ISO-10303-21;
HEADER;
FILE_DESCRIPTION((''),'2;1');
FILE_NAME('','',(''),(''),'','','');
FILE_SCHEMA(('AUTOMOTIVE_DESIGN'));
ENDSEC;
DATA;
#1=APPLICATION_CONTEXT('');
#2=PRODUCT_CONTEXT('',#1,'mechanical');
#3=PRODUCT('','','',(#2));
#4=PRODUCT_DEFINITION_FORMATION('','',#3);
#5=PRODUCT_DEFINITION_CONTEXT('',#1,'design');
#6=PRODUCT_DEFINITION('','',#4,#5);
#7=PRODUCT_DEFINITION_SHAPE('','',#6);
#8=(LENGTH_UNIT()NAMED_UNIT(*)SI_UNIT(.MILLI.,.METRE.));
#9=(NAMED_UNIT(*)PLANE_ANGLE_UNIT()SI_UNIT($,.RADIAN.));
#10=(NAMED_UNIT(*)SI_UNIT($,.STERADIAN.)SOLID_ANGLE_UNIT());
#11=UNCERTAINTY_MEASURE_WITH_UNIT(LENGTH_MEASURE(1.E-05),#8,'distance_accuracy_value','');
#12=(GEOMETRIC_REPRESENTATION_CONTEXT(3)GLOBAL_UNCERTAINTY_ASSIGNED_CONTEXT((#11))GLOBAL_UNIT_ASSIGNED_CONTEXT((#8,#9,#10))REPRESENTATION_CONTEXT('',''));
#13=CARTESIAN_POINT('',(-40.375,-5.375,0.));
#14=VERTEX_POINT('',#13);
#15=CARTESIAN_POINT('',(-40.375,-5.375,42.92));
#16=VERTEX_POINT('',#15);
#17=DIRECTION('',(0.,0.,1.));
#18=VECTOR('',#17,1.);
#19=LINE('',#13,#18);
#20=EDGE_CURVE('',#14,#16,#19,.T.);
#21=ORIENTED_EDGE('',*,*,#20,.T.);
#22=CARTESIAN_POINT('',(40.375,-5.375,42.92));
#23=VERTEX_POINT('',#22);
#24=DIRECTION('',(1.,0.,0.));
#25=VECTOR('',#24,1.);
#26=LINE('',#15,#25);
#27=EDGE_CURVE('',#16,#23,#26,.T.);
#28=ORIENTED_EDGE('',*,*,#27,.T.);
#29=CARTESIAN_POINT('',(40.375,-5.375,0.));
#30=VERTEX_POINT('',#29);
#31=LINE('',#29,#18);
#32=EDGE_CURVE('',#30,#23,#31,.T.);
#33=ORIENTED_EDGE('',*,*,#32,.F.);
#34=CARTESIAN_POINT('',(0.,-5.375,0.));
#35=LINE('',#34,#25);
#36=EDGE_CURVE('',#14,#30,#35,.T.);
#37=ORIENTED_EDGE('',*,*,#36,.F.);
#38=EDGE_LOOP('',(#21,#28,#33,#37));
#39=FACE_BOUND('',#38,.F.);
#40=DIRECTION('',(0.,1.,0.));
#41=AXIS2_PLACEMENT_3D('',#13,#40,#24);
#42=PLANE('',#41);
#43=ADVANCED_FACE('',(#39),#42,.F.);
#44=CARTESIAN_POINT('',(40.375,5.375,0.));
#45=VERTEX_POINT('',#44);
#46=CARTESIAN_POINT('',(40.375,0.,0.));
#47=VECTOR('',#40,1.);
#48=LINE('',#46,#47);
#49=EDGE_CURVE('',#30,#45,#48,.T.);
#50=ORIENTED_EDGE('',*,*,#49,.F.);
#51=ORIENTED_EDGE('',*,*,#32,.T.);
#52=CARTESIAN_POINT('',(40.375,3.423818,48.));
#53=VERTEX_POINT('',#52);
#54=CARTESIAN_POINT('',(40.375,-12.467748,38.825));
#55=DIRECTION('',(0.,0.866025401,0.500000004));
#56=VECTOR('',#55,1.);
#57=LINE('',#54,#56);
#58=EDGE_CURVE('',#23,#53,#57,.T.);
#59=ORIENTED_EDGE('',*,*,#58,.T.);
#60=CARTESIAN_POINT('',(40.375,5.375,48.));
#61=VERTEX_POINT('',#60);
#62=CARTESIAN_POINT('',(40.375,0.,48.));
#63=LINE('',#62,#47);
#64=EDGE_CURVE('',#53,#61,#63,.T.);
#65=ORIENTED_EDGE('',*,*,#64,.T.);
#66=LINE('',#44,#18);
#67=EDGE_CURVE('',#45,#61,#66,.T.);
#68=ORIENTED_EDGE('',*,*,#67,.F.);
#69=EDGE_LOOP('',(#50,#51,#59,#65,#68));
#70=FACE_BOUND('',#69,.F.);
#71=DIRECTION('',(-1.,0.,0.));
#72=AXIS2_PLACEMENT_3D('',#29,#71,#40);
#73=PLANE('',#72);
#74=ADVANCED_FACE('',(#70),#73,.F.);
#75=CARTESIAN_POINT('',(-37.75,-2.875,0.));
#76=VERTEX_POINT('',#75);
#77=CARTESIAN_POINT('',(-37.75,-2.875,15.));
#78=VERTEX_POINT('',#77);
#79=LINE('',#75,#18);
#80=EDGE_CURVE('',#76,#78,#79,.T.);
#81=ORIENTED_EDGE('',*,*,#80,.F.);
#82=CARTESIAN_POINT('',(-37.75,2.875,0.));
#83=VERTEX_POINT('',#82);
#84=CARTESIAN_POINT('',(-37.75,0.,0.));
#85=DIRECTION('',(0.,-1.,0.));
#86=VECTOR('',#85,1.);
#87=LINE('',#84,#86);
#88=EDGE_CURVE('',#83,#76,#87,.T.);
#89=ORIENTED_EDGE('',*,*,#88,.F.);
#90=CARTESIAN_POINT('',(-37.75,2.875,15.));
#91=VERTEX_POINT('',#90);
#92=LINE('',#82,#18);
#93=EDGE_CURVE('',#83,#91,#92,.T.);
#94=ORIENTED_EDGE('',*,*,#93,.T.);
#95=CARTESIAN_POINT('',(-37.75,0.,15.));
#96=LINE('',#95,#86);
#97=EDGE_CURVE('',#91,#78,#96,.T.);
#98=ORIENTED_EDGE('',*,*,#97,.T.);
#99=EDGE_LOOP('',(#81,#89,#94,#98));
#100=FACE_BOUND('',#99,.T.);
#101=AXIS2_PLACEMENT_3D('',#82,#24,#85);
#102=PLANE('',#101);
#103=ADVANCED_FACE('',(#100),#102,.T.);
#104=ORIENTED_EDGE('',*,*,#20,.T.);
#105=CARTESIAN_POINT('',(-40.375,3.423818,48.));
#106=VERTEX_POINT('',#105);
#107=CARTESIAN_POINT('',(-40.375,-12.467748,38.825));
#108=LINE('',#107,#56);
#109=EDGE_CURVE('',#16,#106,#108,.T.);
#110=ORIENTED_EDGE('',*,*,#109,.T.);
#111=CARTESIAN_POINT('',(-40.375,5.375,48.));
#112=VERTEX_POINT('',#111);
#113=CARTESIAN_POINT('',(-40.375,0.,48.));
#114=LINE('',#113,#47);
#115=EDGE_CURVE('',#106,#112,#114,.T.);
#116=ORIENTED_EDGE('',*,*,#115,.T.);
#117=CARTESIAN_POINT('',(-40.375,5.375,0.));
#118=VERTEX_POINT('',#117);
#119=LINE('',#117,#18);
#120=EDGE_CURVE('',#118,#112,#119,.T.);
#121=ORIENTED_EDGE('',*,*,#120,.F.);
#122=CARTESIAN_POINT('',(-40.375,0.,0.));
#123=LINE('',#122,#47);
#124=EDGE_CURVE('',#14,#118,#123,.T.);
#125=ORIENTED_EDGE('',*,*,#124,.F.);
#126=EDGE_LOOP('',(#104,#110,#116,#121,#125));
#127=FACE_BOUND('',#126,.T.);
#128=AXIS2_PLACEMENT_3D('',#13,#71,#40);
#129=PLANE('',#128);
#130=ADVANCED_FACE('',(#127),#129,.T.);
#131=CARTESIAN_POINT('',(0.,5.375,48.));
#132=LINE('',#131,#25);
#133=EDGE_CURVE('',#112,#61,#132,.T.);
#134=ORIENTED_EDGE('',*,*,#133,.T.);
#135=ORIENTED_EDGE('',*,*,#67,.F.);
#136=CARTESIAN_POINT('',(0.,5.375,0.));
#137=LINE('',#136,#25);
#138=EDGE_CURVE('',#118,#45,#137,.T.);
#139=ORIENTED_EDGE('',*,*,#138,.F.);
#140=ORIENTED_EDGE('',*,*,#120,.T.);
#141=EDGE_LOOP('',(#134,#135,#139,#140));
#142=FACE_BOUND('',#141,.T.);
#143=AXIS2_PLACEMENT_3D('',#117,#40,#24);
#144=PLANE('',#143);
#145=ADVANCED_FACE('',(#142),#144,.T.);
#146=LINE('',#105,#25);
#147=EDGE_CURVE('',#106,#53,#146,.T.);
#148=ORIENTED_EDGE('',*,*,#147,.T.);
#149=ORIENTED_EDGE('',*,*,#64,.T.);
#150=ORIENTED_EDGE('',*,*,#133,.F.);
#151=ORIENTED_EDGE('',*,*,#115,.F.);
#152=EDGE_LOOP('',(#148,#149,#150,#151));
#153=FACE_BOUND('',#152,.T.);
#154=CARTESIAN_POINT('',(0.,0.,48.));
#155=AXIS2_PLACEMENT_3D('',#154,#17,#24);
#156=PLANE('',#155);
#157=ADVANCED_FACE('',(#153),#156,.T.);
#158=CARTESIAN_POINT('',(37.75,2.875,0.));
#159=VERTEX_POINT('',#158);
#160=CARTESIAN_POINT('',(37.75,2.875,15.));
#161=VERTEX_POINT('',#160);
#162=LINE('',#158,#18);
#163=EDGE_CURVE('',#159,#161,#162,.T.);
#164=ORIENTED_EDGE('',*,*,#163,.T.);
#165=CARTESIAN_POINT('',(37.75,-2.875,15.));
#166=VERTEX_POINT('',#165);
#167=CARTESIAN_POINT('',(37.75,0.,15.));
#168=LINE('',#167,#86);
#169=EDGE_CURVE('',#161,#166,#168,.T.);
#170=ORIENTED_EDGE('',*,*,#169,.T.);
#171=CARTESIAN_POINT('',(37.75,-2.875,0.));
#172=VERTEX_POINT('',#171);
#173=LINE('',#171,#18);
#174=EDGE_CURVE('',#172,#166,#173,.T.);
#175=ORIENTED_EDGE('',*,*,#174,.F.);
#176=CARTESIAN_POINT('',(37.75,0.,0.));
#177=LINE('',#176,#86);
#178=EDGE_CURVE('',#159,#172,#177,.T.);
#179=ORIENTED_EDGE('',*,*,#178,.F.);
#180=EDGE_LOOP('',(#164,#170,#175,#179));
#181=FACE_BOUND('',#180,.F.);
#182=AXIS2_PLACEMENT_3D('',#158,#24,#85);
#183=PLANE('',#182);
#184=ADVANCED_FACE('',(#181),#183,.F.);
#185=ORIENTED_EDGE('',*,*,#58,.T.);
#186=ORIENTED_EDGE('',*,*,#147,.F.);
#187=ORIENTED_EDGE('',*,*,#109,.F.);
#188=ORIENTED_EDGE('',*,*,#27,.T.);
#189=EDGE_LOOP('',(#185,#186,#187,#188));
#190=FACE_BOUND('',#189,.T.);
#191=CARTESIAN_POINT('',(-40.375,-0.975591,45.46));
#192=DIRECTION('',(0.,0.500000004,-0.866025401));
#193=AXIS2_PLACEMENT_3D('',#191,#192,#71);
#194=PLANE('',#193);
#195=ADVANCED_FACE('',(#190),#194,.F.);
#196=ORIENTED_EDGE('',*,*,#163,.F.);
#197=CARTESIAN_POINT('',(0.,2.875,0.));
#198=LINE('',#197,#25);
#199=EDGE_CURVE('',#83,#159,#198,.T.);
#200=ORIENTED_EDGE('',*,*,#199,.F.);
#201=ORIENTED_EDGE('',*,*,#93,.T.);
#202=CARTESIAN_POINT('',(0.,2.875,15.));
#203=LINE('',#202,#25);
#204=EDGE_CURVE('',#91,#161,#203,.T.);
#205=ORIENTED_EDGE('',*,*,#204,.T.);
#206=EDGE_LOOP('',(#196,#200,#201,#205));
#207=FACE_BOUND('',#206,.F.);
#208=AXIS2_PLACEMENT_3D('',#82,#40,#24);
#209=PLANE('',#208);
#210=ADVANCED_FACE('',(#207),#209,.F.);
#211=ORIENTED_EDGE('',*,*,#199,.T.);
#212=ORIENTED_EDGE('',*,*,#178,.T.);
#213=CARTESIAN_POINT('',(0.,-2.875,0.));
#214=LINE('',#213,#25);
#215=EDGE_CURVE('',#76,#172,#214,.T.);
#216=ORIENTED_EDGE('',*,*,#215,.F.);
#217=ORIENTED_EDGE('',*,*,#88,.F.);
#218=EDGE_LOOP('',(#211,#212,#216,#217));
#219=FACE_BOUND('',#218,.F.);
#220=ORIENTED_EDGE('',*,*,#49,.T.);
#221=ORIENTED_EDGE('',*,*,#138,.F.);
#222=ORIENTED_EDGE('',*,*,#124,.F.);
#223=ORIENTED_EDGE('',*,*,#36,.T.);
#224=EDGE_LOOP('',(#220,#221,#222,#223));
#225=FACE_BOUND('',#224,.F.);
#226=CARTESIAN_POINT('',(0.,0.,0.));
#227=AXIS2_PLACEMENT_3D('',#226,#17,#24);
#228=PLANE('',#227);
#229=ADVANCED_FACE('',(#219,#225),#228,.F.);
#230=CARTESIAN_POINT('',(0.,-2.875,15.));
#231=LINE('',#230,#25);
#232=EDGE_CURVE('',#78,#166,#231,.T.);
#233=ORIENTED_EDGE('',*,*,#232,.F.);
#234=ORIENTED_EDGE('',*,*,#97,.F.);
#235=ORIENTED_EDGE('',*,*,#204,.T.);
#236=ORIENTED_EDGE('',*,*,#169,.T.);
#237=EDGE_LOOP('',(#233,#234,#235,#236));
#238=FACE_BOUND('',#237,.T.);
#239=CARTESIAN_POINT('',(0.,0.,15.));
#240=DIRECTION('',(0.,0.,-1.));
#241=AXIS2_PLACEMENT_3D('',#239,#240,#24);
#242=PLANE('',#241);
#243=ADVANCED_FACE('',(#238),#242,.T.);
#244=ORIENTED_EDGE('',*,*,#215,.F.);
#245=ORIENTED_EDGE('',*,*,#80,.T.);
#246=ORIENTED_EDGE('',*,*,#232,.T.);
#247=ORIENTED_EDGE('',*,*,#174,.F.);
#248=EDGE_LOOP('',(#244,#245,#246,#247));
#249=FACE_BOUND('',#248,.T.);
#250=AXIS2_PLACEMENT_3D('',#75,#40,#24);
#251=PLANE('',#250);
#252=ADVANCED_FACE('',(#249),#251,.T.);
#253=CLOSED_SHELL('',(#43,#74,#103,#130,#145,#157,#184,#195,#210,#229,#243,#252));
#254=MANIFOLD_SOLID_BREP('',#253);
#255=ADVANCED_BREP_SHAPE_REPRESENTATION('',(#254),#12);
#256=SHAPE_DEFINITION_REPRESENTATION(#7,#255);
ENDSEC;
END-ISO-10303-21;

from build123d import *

# Parameters (mm, degrees)
F0_W     = 80.75
F0_H     = 10.75
F1_DEPTH = 48
F2_W     = 75.5
F2_H     = 5.75
F3_DEPTH = 15
F4_SIZE2 = 8.798818
F4_SIZE  = 5.08


with BuildPart() as f1:
    # F0 (on Top) → F1 (new body)
    with BuildSketch(Plane.XY):
        Rectangle(F0_W, F0_H)
    extrude(amount=F1_DEPTH)

    # F2 (on face) → F3 (cut)
    with BuildSketch(Plane(origin=(0, 0, 0), x_dir=(1, 0, 0), z_dir=(0, 0, -1))):
        Rectangle(F2_W, F2_H)
    extrude(amount=-F3_DEPTH, mode=Mode.SUBTRACT)

    # F4
    f4_edges = [f1.edges().sort_by_distance(p)[0] for p in [
        (0, -5.375, 48),
    ]]
    chamfer(f4_edges, length=F4_SIZE, length2=F4_SIZE2)


solid = f1.part
